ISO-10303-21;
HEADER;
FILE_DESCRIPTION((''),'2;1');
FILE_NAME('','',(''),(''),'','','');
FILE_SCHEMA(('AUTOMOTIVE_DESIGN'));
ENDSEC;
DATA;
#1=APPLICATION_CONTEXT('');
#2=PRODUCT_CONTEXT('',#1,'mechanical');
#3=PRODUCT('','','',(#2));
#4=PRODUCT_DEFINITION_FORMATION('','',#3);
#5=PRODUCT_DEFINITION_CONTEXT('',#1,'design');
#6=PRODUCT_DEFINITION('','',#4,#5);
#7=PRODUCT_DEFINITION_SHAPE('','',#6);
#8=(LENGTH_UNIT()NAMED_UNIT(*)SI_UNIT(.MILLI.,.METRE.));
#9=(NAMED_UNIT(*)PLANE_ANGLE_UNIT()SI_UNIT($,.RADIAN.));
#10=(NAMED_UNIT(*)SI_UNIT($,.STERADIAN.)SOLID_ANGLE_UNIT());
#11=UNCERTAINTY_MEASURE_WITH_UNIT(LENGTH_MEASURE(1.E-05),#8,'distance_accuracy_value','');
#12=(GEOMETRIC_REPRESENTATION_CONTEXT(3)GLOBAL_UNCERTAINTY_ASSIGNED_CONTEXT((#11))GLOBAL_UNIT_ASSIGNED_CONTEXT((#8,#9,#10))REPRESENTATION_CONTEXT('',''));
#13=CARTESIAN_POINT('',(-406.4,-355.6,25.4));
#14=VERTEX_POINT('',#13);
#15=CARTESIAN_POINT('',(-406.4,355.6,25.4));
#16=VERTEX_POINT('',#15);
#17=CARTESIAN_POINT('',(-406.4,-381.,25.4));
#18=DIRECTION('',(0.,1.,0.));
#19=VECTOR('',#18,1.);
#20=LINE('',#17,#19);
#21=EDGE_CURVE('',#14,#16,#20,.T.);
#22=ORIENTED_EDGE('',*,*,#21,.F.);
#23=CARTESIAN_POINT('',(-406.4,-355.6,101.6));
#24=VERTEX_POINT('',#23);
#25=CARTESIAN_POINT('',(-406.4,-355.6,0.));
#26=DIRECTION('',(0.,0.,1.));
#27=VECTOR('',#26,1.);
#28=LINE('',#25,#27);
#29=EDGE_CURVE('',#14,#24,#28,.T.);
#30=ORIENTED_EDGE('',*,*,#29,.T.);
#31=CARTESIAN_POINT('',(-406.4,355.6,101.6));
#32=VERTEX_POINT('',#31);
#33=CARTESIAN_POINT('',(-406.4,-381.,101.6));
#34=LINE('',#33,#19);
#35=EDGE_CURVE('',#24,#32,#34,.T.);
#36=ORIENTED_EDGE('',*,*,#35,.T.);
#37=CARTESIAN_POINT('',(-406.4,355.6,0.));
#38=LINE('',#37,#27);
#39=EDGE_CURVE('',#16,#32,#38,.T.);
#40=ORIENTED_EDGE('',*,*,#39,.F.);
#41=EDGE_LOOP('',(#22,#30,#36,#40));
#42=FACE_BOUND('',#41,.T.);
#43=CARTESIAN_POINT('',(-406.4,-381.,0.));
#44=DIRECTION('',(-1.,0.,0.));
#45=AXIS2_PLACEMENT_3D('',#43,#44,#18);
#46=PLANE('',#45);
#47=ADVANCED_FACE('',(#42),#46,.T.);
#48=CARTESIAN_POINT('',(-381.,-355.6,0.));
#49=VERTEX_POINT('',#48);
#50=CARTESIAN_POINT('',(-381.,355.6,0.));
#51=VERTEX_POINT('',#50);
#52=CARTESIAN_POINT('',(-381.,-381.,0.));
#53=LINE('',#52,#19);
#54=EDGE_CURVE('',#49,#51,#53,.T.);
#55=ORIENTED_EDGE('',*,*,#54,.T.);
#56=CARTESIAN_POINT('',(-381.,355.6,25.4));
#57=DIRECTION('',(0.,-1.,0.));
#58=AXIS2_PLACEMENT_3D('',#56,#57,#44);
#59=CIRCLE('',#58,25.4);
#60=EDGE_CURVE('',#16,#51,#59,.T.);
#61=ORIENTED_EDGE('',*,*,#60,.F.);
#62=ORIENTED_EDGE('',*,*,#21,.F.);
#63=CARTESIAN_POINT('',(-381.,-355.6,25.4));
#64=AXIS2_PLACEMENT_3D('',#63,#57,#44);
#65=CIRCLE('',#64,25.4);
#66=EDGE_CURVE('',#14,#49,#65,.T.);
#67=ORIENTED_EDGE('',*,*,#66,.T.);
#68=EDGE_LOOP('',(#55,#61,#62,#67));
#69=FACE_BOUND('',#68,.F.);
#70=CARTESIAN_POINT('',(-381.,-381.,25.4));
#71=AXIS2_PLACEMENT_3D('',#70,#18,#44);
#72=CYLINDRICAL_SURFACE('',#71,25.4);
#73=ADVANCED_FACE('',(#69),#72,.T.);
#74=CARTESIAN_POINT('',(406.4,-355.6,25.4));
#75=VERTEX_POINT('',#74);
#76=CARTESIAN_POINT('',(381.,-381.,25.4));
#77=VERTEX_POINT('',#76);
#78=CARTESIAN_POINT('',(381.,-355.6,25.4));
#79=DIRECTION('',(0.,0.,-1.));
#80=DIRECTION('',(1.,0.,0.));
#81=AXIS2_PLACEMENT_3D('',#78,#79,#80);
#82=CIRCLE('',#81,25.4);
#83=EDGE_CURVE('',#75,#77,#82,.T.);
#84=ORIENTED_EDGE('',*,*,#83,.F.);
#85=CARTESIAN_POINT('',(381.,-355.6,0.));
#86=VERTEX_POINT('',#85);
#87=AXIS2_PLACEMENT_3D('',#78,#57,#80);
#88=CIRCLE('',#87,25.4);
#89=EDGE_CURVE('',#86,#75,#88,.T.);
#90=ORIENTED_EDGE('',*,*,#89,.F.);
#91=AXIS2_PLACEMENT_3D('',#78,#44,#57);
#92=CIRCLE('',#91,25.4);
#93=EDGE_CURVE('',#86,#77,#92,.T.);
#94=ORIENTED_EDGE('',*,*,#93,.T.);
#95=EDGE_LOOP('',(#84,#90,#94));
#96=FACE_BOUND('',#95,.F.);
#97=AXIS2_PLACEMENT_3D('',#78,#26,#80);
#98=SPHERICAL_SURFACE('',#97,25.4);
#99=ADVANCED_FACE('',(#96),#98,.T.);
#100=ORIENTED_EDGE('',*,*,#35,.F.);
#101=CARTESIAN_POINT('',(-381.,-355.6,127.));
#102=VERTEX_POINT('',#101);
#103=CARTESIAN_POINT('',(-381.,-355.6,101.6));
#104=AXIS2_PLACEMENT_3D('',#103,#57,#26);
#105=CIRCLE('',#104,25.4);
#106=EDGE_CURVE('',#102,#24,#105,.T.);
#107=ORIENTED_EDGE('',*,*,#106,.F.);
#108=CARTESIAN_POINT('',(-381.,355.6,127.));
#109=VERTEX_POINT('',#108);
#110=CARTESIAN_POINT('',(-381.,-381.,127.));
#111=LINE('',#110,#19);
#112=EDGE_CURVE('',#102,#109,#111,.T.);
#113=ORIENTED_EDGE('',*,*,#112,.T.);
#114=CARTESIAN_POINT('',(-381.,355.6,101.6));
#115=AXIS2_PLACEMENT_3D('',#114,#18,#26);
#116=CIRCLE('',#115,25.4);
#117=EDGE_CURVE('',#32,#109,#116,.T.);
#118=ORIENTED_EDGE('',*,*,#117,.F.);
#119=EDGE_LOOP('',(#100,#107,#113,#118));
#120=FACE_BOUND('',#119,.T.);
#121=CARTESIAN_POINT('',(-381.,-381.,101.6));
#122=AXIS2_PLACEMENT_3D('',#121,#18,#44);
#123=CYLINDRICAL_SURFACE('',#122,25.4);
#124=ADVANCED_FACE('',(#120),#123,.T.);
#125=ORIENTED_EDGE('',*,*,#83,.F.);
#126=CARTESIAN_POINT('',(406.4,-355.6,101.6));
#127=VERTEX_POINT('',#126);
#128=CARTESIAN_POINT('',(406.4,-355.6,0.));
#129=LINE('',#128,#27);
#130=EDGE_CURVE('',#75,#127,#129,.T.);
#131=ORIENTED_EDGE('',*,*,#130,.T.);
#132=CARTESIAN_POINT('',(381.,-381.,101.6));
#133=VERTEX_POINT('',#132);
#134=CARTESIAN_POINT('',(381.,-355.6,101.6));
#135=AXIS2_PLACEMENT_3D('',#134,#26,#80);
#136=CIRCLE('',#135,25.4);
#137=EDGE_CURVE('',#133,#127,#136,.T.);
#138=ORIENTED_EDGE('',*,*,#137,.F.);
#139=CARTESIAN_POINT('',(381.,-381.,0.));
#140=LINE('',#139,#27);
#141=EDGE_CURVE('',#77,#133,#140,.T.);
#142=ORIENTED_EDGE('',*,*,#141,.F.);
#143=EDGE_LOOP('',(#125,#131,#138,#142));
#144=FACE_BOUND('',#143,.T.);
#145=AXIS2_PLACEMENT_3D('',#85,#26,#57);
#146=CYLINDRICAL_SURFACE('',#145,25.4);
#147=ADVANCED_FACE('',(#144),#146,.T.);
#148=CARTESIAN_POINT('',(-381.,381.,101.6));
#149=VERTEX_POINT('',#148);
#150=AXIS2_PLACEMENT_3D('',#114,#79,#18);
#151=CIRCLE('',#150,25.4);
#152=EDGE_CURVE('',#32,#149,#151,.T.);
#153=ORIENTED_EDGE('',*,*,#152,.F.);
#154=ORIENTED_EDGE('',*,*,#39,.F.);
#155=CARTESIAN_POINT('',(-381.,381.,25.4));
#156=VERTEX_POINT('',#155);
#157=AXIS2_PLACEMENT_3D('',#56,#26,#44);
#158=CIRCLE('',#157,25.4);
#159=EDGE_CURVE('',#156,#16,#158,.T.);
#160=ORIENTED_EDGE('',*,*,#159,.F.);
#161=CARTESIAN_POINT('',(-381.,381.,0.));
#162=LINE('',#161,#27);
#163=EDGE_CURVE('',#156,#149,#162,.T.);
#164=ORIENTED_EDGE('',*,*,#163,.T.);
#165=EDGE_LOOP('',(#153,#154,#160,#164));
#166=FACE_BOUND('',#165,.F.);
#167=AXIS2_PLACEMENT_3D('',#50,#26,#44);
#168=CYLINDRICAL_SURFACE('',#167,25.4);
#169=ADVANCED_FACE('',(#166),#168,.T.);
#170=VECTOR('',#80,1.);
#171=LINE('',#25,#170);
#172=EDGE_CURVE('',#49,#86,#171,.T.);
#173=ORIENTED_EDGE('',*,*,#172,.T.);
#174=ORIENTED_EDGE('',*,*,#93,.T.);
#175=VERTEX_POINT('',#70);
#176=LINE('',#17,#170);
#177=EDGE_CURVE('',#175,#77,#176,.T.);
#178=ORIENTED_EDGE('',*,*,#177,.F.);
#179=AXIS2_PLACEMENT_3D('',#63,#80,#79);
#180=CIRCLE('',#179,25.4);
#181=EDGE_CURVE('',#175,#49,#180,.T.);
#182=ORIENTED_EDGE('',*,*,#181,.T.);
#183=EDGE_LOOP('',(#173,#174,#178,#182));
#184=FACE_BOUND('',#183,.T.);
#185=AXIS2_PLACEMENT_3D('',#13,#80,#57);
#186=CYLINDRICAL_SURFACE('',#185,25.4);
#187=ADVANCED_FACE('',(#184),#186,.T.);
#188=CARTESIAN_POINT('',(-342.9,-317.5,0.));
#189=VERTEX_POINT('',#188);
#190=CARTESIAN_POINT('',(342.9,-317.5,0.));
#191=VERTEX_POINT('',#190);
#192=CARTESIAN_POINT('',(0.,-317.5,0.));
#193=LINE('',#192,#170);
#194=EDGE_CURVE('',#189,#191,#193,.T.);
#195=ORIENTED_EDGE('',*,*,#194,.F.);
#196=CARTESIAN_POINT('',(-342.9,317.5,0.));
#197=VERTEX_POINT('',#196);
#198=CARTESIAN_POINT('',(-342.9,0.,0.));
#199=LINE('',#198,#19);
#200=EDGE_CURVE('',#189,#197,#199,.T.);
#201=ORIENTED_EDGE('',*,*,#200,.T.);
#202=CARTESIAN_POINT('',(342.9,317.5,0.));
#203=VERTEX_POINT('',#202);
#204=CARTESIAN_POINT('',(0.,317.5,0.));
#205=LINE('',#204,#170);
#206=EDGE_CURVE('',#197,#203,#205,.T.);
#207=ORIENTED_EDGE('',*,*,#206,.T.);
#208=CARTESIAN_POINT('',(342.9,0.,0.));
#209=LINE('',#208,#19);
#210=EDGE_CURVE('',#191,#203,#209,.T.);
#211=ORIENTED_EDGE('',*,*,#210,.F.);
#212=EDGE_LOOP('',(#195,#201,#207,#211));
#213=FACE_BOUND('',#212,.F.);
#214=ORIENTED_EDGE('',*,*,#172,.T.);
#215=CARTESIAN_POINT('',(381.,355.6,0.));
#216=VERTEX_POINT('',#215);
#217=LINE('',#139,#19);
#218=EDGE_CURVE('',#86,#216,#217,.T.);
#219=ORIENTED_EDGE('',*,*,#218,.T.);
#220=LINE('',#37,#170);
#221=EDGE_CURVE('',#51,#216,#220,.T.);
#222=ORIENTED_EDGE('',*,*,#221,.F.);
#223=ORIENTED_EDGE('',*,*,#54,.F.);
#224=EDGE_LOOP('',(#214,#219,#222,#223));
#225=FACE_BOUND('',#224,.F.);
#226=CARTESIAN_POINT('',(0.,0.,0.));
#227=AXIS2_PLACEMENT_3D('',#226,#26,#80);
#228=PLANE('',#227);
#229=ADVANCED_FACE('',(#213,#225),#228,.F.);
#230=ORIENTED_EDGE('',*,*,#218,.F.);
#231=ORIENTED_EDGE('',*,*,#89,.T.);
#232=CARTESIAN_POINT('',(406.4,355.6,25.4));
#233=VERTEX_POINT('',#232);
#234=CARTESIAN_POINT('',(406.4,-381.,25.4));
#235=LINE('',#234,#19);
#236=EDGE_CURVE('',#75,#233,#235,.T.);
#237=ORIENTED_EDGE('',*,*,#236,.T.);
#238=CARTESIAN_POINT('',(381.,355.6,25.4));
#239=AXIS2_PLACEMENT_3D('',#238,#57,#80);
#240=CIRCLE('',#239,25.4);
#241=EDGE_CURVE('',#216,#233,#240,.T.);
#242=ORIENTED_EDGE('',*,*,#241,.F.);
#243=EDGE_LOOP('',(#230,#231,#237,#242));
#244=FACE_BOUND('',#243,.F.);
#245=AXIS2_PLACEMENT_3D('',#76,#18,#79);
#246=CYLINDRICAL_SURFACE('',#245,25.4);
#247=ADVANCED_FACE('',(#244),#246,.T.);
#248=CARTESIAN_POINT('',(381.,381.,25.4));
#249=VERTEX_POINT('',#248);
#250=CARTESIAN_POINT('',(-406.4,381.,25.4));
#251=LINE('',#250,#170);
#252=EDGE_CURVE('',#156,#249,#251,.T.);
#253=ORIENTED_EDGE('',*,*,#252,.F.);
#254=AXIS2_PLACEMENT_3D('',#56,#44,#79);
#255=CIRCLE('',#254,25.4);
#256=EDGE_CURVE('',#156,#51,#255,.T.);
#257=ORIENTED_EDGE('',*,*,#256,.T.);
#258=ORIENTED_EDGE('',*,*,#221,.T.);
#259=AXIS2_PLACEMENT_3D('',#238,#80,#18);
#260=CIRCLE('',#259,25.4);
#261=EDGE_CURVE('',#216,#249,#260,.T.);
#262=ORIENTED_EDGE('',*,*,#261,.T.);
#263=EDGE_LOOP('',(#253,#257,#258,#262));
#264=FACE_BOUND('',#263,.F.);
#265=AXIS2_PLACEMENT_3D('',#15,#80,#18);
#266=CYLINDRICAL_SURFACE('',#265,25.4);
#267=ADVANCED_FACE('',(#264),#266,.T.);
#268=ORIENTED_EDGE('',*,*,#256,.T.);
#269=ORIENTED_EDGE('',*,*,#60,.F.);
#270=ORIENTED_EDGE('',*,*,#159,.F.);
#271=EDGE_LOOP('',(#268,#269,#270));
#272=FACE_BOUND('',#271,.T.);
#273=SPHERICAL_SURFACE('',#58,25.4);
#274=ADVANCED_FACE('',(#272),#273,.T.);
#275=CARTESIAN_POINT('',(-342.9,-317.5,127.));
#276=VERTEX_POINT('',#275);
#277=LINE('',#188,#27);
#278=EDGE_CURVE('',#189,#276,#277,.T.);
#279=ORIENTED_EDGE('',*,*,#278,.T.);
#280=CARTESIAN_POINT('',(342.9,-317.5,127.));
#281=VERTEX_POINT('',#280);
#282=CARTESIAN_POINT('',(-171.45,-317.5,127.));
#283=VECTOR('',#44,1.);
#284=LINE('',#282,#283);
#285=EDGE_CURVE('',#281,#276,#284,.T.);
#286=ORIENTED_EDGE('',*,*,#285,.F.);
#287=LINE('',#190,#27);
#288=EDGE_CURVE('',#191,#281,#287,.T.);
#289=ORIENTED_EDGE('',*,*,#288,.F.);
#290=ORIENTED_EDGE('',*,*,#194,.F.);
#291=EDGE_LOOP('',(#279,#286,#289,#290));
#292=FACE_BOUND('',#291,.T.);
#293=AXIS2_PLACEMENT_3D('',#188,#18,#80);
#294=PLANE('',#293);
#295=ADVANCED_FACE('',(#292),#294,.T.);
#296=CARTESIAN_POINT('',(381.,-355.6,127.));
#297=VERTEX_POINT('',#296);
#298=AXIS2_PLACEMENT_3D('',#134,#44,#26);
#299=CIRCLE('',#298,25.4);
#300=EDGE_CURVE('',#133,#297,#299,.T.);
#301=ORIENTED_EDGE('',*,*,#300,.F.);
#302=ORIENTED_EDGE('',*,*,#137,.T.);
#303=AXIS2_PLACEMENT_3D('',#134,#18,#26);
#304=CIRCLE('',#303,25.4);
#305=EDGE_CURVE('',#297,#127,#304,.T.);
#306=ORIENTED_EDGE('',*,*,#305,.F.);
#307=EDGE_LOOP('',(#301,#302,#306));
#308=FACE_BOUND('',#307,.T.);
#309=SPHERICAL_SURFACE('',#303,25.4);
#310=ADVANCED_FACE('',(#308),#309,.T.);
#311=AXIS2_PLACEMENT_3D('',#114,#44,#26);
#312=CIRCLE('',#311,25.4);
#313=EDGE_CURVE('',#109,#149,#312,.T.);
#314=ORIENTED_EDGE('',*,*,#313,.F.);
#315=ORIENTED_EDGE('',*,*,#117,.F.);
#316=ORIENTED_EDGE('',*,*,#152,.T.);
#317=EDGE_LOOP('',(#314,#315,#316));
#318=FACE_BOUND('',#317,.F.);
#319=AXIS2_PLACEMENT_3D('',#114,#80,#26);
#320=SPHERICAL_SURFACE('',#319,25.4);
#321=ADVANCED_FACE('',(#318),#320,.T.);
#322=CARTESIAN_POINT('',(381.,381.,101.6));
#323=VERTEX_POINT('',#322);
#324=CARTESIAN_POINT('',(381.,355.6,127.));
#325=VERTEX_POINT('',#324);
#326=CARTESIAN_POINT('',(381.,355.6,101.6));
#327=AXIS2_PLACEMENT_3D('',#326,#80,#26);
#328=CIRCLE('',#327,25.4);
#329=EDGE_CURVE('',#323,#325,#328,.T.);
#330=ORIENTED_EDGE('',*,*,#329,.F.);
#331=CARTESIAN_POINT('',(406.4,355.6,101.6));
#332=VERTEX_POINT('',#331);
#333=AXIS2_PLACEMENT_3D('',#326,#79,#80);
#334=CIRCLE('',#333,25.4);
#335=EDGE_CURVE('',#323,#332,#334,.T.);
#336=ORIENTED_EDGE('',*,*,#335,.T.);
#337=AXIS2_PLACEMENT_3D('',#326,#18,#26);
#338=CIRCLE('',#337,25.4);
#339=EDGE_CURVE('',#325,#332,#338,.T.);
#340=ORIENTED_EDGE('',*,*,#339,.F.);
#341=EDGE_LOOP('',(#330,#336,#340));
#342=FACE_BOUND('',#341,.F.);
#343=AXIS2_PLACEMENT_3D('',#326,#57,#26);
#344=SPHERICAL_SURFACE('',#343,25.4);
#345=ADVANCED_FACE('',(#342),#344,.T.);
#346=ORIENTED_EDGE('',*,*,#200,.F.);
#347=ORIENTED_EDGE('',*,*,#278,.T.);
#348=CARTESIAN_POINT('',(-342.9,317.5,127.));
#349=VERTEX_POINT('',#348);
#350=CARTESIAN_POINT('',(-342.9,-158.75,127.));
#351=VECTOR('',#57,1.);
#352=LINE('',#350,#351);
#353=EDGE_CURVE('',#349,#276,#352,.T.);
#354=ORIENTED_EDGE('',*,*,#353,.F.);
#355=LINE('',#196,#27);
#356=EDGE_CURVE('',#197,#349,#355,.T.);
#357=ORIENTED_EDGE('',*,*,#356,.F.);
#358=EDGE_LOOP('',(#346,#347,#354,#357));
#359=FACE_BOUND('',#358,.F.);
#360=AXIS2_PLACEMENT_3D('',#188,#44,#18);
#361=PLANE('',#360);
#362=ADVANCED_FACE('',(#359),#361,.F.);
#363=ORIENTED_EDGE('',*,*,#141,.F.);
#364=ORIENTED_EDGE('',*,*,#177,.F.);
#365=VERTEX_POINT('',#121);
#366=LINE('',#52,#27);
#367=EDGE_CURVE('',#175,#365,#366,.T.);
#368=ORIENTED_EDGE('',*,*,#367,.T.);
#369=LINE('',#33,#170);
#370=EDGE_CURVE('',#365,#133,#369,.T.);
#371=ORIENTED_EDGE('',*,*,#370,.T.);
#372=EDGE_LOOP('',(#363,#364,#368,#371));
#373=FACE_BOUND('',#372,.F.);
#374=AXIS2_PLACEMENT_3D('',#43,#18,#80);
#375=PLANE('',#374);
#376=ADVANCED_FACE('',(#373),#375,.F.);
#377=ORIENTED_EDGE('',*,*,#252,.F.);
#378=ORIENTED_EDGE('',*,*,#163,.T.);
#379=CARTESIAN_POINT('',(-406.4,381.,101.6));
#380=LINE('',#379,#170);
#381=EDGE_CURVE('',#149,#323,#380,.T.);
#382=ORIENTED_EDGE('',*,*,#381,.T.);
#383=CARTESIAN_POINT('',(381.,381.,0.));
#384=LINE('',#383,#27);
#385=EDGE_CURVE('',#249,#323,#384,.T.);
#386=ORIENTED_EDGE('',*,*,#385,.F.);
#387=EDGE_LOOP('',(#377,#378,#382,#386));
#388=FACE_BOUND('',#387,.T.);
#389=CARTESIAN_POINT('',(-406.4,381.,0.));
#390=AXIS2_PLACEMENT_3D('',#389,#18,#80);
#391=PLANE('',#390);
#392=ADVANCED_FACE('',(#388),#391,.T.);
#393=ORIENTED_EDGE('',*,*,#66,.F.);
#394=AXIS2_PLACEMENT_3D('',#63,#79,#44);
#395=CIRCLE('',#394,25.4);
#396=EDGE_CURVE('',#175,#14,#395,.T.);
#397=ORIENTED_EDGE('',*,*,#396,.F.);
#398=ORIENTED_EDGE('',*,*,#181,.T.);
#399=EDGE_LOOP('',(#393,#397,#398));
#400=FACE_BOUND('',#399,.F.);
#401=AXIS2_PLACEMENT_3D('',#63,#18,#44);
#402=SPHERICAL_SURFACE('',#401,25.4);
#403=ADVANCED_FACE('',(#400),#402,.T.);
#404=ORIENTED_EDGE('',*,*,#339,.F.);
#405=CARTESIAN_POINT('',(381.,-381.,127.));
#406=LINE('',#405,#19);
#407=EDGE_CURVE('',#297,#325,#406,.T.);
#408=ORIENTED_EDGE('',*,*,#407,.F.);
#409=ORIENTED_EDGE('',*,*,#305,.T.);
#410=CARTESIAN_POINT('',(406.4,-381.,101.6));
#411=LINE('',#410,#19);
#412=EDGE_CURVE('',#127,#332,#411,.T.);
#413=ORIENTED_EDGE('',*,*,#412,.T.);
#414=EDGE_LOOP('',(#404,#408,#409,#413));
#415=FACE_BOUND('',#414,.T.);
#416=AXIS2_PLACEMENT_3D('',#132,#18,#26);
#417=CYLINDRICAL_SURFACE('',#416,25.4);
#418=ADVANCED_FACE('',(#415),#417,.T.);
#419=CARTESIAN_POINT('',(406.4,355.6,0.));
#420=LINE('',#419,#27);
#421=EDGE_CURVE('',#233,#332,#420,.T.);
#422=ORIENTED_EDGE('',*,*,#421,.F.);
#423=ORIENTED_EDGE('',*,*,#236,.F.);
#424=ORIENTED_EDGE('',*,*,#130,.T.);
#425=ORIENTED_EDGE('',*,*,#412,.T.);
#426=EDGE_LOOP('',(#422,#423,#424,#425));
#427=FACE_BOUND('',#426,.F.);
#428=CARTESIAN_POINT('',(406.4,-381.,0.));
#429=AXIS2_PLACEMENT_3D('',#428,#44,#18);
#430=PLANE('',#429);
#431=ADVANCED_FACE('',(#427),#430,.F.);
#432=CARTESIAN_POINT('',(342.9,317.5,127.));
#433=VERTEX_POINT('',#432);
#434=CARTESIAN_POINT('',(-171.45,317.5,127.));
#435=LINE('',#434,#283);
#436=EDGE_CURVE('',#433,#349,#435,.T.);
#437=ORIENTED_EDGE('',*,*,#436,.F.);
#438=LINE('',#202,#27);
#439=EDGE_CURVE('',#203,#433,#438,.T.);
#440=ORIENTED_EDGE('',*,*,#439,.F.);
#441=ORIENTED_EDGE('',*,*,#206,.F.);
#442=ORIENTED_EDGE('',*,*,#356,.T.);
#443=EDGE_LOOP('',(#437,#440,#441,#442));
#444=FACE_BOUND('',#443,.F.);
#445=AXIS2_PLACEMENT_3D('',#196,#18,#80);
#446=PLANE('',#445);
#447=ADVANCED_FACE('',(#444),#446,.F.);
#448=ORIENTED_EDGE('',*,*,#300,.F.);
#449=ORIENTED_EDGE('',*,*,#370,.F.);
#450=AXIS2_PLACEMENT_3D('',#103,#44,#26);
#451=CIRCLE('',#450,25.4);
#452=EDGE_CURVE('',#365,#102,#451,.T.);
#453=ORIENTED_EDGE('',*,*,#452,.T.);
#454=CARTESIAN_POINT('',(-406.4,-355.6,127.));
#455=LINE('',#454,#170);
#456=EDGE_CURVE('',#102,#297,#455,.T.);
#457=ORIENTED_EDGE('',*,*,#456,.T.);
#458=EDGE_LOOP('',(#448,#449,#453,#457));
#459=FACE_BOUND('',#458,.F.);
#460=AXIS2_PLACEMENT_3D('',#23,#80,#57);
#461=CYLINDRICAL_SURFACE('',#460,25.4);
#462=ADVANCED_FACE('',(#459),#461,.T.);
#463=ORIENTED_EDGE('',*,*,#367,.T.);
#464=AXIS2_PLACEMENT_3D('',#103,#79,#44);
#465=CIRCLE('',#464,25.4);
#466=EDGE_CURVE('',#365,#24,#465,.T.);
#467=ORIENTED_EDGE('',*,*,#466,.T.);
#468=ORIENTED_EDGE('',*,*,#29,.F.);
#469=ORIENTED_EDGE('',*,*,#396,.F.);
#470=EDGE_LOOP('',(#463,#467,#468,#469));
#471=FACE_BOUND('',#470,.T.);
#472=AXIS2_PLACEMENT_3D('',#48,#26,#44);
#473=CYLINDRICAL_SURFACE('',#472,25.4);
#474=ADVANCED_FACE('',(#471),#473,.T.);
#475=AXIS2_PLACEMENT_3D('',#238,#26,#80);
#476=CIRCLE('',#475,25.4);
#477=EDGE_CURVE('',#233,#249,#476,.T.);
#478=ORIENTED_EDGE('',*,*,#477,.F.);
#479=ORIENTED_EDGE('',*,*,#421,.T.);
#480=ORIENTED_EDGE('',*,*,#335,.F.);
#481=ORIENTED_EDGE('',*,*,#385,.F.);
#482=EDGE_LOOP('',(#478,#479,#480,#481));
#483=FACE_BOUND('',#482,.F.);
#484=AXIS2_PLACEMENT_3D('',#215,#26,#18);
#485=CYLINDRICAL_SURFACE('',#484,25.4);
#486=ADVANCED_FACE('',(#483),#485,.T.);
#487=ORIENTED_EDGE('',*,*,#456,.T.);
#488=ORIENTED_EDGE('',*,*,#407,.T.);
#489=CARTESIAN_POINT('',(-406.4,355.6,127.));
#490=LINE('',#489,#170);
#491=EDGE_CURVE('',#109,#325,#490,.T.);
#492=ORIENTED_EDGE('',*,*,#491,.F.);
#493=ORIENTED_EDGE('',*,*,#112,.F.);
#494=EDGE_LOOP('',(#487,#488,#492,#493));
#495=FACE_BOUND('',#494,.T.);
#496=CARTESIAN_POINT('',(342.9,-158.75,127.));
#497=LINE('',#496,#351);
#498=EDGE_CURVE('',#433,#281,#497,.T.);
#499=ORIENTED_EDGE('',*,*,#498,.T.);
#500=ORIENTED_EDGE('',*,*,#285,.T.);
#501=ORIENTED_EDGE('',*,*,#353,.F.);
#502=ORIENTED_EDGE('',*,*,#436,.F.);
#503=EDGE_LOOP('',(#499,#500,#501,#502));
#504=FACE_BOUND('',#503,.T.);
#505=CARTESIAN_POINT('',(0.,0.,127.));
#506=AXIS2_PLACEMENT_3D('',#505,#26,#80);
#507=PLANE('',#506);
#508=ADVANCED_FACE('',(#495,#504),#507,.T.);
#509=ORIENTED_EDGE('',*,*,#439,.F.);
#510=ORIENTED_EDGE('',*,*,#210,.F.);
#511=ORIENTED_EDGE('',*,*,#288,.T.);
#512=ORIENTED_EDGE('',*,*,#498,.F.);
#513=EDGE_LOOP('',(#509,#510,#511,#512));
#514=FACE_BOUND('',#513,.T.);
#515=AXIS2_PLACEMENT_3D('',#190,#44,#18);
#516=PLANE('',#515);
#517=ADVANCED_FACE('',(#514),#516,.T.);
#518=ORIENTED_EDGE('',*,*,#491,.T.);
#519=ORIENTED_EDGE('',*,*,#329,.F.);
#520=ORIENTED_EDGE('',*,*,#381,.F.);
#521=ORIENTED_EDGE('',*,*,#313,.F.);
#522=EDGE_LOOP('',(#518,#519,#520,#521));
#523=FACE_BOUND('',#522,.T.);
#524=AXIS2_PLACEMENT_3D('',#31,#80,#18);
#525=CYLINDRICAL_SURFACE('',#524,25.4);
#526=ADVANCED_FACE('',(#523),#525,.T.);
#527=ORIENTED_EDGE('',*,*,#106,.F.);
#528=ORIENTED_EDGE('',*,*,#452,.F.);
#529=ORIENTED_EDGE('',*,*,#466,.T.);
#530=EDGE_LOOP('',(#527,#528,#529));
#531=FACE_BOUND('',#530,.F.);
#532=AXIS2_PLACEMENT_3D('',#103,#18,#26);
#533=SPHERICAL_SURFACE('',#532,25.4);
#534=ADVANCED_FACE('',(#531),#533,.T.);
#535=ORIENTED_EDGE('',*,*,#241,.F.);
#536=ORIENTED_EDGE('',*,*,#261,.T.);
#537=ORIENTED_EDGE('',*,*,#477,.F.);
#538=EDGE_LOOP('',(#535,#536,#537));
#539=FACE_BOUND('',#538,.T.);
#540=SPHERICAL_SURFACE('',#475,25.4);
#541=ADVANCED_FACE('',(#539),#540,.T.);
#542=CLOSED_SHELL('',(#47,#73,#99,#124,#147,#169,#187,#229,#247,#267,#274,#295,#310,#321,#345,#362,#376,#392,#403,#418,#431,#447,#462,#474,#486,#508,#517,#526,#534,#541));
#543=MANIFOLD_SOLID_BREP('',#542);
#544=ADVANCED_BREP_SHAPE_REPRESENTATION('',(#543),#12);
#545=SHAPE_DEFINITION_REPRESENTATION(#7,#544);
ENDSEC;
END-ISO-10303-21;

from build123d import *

# Parameters (mm, degrees)
F0_W     = 812.8
F0_H     = 762
F2_DEPTH = 127
F1_W     = 685.8
F1_H     = 635
F3_DEPTH = 215.9
F4_R     = 25.4


with BuildPart() as f2:
    # F0 (on Top) → F2 (new body)
    with BuildSketch(Plane.XY):
        Rectangle(F0_W, F0_H)
    extrude(amount=F2_DEPTH)

    # F1 (on face) → F3 (cut)
    with BuildSketch(Plane.XY):
        Rectangle(F1_W, F1_H)
    extrude(amount=F3_DEPTH, mode=Mode.SUBTRACT)

    # F4
    f4_edges = [f2.edges().sort_by_distance(p)[0] for p in [
        (406.4, 0, 127),
        (0, 381, 127),
        (-406.4, 0, 127),
        (0, -381, 127),
        (-406.4, 0, 0),
        (-406.4, -381, 63.5),
        (-406.4, 381, 63.5),
        (406.4, -381, 63.5),
        (406.4, 381, 63.5),
        (406.4, 0, 0),
        (0, 381, 0),
        (0, -381, 0),
    ]]
    fillet(f4_edges, radius=F4_R)


solid = f2.part
